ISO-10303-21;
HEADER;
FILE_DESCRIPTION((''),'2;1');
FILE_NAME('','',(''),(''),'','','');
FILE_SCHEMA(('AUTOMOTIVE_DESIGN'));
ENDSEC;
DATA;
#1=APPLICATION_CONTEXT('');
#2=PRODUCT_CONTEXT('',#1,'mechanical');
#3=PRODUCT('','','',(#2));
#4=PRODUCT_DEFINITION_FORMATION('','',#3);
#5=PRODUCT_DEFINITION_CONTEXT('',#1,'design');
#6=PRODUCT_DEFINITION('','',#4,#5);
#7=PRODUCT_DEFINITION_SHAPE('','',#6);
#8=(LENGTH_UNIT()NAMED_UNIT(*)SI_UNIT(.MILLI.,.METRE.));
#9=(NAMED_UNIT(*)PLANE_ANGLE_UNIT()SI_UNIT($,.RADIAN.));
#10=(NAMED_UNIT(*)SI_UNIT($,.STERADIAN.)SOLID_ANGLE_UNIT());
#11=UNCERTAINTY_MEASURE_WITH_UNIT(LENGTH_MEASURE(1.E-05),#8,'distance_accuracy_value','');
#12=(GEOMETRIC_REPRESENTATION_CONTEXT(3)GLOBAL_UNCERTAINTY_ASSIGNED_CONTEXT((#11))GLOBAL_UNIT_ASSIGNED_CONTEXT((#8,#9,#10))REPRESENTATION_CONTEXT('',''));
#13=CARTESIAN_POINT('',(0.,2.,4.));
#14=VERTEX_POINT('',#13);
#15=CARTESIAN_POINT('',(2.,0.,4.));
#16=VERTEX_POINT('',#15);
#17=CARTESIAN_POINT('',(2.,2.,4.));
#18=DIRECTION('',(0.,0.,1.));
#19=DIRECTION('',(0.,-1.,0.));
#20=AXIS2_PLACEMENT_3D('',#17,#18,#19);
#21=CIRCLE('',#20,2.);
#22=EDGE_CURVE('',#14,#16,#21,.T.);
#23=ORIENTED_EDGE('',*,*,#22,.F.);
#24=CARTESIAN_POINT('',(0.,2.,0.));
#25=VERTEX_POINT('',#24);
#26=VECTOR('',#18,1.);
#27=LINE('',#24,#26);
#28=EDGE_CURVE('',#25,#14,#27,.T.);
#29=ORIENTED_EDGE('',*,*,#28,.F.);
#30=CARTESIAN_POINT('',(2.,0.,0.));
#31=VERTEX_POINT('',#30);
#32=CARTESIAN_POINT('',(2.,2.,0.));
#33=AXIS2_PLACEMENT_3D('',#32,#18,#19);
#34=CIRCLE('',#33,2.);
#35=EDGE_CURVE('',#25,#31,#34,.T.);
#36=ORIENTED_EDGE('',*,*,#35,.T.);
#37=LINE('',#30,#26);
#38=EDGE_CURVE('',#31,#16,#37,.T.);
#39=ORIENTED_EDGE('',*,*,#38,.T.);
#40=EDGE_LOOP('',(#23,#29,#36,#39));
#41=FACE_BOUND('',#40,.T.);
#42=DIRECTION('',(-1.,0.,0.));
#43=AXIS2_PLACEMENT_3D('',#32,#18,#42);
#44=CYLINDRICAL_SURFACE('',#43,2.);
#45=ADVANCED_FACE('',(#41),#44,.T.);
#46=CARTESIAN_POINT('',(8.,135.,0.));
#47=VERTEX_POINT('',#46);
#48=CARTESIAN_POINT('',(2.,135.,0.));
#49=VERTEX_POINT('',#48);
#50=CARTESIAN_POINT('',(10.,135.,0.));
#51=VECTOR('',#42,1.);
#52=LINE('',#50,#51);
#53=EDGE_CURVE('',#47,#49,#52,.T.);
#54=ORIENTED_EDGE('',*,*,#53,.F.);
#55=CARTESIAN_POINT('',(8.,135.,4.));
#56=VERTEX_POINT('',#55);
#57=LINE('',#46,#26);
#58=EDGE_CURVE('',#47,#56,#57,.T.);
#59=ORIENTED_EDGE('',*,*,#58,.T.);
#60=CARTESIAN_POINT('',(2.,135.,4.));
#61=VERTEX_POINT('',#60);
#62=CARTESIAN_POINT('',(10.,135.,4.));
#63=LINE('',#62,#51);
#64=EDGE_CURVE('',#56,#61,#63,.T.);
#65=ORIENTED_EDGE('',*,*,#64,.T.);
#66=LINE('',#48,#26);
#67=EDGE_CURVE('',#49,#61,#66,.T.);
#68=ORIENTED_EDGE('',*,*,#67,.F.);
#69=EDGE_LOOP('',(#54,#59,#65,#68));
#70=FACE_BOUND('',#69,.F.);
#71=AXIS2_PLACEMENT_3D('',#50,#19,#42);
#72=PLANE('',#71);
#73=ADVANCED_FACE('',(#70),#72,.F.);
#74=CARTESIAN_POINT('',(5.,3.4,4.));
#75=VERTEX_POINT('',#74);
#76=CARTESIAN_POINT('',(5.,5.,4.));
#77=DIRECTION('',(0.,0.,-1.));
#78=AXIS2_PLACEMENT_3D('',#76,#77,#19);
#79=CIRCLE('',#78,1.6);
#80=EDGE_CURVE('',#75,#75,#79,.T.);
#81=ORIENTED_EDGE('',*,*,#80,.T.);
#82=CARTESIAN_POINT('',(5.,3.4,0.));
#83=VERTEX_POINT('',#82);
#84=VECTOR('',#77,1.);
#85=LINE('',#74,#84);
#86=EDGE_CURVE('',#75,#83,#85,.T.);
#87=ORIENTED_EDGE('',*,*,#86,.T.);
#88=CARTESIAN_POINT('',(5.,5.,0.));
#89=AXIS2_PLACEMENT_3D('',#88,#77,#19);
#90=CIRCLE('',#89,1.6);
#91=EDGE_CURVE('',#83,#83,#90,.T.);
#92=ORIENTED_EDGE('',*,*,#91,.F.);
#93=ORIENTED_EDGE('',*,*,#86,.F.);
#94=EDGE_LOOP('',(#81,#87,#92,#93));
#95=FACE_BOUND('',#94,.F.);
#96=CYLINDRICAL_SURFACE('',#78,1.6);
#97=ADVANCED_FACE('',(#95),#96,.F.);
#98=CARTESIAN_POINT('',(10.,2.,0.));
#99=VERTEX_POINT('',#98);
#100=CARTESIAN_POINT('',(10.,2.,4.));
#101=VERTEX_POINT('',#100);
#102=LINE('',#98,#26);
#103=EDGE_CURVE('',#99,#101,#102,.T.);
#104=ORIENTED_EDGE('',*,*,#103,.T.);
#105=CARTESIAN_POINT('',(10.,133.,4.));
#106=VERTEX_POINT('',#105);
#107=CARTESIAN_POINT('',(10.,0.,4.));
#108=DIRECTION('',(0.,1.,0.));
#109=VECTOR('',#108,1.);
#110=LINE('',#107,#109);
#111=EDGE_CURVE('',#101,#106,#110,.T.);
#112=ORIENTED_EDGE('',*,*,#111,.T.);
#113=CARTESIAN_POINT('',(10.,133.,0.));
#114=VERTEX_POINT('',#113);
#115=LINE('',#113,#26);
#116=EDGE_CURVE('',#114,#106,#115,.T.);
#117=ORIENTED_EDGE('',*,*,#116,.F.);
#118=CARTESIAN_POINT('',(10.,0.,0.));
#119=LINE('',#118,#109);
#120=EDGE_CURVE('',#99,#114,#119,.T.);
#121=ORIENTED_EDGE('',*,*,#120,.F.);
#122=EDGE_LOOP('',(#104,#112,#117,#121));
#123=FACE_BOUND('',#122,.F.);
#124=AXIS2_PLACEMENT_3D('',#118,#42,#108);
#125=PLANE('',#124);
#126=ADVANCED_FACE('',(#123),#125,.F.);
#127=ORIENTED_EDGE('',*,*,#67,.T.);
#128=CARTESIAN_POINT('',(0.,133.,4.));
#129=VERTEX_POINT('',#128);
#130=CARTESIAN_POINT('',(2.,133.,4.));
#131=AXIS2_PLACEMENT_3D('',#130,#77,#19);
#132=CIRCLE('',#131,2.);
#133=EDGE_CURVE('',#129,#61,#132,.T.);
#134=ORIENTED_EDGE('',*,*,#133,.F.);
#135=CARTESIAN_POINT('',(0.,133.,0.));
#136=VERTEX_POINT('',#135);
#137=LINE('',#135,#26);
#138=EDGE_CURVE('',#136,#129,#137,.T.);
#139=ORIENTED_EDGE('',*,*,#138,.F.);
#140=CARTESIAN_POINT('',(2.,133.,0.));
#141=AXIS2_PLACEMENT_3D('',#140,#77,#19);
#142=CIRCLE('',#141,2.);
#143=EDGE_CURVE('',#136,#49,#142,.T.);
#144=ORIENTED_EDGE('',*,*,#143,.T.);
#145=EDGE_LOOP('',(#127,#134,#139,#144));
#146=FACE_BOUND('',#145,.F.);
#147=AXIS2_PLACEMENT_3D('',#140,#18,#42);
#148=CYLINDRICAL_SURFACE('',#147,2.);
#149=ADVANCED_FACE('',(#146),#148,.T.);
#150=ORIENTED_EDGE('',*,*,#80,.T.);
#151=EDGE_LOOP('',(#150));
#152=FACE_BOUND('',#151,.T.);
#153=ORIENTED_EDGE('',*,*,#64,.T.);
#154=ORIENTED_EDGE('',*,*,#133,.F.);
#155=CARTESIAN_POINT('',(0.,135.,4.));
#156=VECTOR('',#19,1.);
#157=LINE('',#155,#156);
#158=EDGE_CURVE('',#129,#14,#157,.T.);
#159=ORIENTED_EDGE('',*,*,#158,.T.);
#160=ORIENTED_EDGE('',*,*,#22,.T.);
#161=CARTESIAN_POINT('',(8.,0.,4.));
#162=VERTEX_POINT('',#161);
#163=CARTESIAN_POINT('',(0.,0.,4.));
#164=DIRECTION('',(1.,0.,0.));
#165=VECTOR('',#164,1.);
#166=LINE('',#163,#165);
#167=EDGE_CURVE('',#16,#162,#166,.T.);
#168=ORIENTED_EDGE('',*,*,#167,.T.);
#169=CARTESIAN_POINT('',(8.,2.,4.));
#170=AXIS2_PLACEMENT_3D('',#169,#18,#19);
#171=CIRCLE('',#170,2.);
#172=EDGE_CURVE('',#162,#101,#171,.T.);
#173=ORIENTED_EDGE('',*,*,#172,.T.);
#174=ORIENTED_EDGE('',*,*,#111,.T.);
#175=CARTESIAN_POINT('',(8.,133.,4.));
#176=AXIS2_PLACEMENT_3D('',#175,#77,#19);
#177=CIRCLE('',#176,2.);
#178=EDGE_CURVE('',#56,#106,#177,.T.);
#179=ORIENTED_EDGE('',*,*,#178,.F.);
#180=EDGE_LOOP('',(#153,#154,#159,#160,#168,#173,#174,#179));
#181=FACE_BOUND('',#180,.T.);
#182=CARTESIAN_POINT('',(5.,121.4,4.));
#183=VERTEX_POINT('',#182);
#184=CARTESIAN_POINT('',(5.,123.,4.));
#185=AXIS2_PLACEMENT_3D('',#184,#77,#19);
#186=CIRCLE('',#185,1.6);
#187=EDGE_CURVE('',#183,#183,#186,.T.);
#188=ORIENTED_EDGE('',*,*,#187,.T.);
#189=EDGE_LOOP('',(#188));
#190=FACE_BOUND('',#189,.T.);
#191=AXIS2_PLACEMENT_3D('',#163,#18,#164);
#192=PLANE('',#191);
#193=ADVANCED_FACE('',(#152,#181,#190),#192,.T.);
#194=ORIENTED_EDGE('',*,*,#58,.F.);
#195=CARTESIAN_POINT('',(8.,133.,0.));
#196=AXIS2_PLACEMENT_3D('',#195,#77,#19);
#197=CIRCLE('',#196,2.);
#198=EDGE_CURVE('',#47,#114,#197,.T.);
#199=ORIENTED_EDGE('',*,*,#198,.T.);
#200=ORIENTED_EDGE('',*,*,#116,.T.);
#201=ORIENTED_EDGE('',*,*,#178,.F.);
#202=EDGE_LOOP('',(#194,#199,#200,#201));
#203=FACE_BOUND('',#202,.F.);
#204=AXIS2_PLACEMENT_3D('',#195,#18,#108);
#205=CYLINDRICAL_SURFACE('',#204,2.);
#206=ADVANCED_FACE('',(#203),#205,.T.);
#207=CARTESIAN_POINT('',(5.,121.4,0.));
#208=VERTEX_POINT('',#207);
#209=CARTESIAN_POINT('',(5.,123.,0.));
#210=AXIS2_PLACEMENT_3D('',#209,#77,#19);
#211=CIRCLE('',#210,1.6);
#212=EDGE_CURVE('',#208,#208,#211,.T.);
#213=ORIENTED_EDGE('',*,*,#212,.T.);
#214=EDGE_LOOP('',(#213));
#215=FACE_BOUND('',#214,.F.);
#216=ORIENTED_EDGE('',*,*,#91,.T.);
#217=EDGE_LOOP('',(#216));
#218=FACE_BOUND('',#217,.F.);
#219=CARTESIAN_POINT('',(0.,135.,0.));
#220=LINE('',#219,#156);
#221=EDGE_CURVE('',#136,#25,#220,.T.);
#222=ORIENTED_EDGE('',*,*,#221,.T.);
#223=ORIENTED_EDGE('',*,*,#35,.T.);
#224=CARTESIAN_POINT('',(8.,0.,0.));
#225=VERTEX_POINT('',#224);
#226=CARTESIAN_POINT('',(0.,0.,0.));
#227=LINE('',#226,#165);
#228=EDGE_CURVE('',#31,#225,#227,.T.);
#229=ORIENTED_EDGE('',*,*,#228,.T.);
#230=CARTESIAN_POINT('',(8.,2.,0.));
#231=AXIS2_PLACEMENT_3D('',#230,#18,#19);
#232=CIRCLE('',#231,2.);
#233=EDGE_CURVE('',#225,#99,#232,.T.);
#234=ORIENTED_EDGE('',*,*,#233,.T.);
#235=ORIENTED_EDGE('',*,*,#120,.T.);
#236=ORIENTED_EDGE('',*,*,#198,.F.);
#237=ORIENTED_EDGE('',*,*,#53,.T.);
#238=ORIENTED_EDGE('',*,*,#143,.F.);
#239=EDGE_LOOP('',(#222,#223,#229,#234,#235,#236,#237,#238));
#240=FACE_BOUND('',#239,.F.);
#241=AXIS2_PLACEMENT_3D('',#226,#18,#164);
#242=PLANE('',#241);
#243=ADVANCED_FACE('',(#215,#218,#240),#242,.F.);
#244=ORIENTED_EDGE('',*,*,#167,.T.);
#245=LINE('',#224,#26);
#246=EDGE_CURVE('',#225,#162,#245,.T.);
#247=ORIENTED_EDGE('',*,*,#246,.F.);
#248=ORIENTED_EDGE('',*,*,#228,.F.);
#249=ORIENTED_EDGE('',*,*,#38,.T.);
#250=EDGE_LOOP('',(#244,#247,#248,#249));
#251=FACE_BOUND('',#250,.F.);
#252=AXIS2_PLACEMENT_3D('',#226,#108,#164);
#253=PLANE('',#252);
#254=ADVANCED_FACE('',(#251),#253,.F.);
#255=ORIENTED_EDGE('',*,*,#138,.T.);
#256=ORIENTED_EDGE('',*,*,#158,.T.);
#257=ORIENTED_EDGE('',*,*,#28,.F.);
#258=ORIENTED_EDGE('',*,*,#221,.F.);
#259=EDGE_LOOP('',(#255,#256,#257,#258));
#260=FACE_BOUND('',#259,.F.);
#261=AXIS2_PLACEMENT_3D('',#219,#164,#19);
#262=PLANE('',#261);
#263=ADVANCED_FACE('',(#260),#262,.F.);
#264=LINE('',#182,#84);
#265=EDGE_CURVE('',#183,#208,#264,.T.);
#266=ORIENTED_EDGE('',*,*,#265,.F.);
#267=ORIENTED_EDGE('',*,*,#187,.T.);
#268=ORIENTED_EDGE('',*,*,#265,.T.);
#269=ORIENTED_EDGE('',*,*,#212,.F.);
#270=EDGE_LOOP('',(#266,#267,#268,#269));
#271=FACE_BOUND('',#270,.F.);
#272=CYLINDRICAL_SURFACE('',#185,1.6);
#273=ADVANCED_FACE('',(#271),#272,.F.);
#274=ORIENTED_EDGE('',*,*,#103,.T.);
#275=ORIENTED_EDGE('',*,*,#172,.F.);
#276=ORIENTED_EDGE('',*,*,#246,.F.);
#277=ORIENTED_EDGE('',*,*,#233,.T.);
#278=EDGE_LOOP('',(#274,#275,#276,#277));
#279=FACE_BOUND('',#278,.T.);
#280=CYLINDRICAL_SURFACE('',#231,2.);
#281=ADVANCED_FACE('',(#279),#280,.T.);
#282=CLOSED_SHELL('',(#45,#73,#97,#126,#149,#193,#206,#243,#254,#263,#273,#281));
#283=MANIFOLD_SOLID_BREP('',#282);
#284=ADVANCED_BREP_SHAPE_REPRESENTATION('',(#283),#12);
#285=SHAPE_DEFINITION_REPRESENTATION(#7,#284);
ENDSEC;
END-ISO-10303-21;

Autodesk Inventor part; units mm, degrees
ref_plane "YZ Plane" through (0, 0, 0) normal (1, 0, 0) x (0, 1, 0)
ref_plane "XZ Plane" through (0, 0, 0) normal (0, 1, 0) x (-1, 0, 0)
ref_plane "XY Plane" through (0, 0, 0) normal (0, 0, 1) x (1, 0, 0)
sketch "スケッチ1" plane through (0, 0, 0) normal (0, 0, 1) x (1, 0, 0)
  line L0 (0, 0) -> (10, 0)
  line L1 (10, 0) -> (10, 135)
  line L2 (10, 135) -> (0, 135)
  line L3 (0, 135) -> (0, 0)
  dimension "d0" = 10
  dimension "d1" = 135
extrude "押し出し1" add sketch "スケッチ1" along normal blind 4
sketch "スケッチ2" plane through (0, 0, 4) normal (0, 0, 1) x (1, 0, 0)
  line L0 (10, 135) -> (0, 135) projected
  line L1 (10, 0) -> (10, 135) projected
  point P0 (0, 0)
  point P1 (5, 123)
  point P2 (5, 5)
  dimension "d4" = 12
  dimension "d5" = 5
  dimension "d14" = 118
hole "穴1" at (5, 123, 4) at (5, 5, 4) direction (0, 0, -1) diameter 3.2 end through all
fillet "フィレット1" radius 2 4 edges at (0, 135, 2) (0, 0, 2) (10, 135, 2) (10, 0, 2)
properties part number "BP_BOX-Bar-add"
